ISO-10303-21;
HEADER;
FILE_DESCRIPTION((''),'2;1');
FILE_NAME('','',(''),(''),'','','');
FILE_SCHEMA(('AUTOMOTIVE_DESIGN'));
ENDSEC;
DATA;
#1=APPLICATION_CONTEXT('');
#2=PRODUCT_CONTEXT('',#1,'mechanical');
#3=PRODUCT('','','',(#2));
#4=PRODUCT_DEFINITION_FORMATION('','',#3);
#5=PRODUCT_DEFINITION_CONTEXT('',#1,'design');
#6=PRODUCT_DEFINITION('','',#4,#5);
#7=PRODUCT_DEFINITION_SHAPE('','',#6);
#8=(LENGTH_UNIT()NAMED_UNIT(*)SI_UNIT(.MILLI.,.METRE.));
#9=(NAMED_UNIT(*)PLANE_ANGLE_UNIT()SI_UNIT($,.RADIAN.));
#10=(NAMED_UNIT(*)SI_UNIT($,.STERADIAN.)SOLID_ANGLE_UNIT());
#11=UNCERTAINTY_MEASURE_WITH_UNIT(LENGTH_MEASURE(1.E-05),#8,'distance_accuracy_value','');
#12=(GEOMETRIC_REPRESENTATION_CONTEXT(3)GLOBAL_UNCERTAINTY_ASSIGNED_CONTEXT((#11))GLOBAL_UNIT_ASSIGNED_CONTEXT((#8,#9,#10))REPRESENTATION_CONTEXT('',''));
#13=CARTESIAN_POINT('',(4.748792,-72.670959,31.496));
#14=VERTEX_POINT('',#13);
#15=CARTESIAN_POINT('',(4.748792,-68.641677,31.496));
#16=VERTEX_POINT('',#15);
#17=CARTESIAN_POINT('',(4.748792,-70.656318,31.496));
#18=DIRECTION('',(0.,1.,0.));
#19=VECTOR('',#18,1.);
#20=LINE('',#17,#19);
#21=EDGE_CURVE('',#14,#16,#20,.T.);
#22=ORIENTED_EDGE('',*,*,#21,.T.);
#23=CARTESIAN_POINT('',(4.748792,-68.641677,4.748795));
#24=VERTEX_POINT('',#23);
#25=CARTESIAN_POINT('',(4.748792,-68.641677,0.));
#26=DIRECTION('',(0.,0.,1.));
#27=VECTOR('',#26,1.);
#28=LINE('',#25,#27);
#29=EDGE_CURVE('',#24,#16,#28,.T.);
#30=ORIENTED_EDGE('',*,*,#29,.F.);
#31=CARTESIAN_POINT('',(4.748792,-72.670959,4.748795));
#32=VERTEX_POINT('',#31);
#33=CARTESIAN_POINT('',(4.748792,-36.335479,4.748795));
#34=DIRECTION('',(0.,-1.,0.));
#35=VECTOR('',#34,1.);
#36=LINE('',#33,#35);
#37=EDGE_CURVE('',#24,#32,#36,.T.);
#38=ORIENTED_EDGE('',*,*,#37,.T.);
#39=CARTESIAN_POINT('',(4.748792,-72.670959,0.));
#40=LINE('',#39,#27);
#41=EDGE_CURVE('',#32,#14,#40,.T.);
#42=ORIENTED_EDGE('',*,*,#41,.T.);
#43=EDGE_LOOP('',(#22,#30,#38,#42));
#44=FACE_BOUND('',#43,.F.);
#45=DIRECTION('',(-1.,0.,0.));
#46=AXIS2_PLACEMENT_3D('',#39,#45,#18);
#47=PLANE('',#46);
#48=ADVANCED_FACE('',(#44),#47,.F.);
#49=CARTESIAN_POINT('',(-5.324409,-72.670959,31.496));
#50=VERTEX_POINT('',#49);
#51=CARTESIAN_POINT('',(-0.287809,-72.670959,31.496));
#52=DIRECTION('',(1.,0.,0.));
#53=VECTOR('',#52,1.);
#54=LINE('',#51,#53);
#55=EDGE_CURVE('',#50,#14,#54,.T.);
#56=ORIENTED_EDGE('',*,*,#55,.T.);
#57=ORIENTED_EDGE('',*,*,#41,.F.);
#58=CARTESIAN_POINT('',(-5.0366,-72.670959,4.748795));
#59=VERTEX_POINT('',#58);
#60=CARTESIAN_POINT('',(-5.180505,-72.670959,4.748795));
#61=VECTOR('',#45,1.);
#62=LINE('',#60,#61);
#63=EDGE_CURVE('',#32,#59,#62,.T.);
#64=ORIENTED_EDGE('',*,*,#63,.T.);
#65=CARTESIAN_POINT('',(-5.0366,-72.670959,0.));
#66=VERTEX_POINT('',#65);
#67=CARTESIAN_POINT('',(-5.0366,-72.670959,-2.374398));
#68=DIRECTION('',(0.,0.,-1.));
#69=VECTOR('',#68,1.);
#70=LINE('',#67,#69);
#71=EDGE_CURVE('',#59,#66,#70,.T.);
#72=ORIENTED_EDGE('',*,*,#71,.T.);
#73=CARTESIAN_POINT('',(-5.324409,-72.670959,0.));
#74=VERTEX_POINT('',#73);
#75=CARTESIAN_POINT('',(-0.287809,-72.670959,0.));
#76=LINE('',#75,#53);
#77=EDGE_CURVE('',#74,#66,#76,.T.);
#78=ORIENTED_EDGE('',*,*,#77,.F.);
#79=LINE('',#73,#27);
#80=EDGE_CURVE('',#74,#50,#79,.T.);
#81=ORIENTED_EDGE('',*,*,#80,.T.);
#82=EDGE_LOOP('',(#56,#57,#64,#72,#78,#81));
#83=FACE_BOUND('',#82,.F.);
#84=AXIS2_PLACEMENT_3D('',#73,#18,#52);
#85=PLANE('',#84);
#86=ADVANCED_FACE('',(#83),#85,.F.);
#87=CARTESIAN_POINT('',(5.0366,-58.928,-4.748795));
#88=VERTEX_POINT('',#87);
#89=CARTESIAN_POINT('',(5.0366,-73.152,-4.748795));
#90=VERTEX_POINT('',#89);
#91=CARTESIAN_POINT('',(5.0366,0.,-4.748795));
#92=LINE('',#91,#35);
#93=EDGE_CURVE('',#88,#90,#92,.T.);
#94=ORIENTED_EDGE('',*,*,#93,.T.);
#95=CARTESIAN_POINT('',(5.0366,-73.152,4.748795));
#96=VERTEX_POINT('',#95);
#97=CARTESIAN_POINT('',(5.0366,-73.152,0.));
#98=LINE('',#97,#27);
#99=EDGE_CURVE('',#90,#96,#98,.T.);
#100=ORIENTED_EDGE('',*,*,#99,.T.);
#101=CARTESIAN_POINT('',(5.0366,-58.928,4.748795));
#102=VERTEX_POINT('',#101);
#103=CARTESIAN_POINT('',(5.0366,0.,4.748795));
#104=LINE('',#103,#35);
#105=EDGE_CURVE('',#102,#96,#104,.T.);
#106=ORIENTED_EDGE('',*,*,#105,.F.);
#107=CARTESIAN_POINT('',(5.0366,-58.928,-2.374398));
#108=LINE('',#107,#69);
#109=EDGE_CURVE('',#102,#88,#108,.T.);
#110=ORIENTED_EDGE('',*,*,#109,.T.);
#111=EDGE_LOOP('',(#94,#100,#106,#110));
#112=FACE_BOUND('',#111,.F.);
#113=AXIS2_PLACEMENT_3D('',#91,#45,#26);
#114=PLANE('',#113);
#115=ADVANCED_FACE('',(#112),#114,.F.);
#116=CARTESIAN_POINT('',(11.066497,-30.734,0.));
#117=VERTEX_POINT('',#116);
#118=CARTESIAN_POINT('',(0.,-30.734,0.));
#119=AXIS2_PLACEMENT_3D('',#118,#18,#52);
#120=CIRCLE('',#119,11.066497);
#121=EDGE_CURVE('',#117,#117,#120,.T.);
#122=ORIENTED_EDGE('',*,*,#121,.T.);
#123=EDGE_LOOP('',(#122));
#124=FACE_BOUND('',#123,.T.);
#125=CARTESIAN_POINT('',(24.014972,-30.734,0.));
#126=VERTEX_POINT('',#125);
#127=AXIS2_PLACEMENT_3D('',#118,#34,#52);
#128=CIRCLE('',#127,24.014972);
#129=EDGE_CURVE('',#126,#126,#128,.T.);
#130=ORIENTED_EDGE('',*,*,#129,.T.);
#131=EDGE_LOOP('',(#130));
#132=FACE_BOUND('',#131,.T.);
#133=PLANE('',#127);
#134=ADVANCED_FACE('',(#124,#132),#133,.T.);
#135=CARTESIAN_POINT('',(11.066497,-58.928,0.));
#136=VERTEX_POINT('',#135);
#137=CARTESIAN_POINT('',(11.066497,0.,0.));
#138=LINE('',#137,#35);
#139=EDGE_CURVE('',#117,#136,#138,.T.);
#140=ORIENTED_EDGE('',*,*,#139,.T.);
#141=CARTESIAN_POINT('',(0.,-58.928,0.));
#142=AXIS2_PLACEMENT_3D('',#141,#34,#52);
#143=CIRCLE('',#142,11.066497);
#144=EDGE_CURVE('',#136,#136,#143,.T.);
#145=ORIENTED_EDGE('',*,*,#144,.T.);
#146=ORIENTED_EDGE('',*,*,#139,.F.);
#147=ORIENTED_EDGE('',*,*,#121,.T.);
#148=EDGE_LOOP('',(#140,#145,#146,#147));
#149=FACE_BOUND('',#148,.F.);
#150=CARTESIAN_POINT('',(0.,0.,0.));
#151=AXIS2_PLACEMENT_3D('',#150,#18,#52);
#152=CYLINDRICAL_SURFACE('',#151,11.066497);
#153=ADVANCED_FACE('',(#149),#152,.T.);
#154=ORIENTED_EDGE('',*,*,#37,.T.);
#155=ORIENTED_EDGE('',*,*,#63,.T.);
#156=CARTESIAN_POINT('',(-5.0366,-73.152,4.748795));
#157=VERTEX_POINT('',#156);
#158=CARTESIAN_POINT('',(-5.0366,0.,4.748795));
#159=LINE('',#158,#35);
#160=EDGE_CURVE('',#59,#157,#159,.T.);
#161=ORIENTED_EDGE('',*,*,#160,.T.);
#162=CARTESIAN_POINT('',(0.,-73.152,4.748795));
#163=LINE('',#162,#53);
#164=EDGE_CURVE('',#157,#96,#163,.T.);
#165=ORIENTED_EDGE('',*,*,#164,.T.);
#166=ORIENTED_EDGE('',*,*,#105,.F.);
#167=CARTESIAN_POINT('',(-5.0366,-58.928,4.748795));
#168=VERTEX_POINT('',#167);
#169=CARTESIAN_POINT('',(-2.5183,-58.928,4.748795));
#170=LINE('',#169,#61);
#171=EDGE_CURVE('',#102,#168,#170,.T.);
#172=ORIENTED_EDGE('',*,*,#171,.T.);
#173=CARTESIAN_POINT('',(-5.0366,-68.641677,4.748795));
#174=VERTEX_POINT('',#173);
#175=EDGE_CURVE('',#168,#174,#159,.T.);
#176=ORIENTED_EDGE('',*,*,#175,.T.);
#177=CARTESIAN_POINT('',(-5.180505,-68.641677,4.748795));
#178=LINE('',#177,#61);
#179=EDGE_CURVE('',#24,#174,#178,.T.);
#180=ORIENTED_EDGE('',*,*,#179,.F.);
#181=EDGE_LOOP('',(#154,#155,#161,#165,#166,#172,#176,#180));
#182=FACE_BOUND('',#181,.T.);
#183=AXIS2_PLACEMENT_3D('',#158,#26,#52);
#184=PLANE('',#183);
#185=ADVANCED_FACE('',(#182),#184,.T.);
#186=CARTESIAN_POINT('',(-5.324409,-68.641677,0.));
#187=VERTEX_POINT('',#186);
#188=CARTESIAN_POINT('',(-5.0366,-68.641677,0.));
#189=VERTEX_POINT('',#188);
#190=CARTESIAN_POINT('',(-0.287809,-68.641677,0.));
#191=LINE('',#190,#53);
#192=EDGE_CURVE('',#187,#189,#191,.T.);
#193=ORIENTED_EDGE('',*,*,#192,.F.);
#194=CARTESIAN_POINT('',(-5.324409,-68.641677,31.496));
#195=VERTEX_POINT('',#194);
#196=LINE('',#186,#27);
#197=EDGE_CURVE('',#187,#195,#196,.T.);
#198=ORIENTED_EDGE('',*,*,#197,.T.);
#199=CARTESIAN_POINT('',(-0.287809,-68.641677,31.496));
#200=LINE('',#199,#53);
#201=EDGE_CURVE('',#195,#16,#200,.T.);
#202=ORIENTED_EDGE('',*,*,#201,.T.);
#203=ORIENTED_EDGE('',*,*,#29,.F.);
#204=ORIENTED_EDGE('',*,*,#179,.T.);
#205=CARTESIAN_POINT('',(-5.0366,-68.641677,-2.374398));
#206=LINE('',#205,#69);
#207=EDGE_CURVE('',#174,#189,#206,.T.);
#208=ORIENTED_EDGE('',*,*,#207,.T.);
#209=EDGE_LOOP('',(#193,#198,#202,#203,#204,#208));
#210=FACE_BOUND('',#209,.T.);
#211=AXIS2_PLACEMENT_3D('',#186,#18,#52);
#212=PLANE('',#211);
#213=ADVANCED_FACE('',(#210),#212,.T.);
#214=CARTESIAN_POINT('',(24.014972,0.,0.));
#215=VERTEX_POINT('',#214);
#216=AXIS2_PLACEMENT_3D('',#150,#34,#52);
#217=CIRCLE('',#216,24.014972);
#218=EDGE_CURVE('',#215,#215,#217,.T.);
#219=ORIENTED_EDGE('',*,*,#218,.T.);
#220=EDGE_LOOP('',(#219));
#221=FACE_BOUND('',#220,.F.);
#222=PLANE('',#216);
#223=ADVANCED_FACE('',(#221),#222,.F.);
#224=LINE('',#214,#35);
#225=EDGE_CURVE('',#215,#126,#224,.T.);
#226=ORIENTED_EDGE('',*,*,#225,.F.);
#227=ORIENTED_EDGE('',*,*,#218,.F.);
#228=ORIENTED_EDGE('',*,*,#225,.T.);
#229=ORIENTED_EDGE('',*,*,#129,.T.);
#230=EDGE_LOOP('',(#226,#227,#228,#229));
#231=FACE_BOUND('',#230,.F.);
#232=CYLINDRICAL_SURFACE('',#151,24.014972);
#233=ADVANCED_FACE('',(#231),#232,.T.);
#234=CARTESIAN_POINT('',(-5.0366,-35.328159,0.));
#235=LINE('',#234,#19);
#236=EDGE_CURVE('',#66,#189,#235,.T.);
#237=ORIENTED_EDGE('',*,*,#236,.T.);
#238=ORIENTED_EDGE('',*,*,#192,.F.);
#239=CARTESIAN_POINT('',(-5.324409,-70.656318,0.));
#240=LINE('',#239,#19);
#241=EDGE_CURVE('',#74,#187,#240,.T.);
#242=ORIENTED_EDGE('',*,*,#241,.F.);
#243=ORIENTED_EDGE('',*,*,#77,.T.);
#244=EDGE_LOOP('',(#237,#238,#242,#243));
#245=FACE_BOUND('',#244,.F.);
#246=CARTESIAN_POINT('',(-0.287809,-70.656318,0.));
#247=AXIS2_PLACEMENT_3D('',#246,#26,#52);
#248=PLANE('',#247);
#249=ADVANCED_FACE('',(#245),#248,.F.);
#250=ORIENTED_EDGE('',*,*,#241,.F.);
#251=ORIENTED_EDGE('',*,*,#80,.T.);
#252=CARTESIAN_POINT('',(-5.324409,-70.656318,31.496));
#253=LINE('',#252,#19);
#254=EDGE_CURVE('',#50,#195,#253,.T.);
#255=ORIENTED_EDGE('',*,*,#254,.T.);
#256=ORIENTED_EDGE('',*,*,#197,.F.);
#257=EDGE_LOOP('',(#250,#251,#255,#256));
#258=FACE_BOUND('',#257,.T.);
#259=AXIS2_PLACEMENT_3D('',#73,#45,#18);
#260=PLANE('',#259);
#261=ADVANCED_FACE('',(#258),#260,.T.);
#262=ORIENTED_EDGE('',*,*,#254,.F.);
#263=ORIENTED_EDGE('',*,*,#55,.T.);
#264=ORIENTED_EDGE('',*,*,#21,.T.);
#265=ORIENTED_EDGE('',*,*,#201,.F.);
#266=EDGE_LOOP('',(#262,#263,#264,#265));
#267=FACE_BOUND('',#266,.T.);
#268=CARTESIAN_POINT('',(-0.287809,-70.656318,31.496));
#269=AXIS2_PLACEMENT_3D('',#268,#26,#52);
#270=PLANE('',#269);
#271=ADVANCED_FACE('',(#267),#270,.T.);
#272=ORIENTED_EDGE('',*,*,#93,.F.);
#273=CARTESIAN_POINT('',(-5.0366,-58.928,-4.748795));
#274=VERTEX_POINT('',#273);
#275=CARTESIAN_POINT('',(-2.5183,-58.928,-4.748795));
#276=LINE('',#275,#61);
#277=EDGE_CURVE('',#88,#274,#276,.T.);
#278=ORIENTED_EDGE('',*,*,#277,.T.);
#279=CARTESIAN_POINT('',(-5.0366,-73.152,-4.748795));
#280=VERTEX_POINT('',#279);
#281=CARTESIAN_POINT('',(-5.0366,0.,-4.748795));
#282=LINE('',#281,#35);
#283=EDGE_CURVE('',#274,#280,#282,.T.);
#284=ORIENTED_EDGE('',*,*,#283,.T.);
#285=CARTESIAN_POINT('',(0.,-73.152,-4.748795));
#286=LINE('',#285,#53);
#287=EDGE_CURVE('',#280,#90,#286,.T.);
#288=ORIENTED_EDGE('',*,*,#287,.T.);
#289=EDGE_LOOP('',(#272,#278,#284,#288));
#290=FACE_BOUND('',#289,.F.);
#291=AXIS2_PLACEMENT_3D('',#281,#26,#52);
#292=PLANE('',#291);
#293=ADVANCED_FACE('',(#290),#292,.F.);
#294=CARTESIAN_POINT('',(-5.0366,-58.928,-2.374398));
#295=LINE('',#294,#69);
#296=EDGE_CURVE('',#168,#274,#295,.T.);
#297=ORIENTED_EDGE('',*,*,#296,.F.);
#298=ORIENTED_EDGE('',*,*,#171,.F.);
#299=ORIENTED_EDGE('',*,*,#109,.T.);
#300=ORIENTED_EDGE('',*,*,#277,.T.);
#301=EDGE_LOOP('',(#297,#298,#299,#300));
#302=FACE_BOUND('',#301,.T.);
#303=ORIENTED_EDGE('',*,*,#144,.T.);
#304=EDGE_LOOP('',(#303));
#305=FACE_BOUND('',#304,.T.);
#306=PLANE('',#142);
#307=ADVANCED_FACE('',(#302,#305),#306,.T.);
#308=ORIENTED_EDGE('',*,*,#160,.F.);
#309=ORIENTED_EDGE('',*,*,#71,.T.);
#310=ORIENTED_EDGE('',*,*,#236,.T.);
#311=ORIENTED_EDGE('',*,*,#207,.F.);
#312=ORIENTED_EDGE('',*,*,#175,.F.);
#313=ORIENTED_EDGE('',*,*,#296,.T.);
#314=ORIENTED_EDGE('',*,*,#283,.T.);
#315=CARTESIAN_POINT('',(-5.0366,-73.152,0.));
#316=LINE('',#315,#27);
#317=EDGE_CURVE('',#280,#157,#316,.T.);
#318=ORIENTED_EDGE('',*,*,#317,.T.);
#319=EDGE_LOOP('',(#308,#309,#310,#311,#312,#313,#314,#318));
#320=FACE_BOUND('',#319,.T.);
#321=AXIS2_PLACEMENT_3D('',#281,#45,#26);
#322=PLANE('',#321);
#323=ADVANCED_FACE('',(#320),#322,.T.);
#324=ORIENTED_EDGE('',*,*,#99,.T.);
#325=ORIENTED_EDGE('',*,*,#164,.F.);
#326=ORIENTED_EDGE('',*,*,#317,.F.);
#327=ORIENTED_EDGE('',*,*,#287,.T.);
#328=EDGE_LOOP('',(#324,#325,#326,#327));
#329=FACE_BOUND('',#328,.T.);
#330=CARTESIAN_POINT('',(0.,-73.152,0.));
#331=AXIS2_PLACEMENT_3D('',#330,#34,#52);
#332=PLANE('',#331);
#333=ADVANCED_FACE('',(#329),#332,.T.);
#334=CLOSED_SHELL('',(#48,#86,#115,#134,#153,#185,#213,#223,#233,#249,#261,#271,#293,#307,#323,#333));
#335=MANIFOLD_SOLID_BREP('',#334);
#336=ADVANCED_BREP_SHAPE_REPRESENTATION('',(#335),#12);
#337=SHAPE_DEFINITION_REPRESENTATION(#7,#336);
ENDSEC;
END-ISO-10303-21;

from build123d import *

# Parameters (mm, degrees)
F0_R     = 24.014972
F1_DEPTH = 30.734
F2_R     = 11.066497
F3_DEPTH = 58.928
F4_W     = 10.073201
F4_H     = 9.49759
F5_DEPTH = 73.152
F6_W     = 10.073201
F6_H     = 4.029282
F7_DEPTH = 31.496


with BuildPart() as f1:
    # F0 (on Front) → F1 (new body)
    with BuildSketch(Plane.XZ):
        Circle(F0_R)
    extrude(amount=F1_DEPTH)

    # F2 (on Front) → F3 (join)
    with BuildSketch(Plane.XZ):
        Circle(F2_R)
    extrude(amount=F3_DEPTH)

    # F4 (on Front) → F5 (join)
    with BuildSketch(Plane.XZ):
        with Locations((1e-06, 0)):
            Rectangle(F4_W, F4_H)
    extrude(amount=F5_DEPTH)

    # F6 (on Top) → F7 (join)
    with BuildSketch(Plane.XY):
        with Locations((-0.287809, -70.656318)):
            Rectangle(F6_W, F6_H)
    extrude(amount=F7_DEPTH)


solid = f1.part
